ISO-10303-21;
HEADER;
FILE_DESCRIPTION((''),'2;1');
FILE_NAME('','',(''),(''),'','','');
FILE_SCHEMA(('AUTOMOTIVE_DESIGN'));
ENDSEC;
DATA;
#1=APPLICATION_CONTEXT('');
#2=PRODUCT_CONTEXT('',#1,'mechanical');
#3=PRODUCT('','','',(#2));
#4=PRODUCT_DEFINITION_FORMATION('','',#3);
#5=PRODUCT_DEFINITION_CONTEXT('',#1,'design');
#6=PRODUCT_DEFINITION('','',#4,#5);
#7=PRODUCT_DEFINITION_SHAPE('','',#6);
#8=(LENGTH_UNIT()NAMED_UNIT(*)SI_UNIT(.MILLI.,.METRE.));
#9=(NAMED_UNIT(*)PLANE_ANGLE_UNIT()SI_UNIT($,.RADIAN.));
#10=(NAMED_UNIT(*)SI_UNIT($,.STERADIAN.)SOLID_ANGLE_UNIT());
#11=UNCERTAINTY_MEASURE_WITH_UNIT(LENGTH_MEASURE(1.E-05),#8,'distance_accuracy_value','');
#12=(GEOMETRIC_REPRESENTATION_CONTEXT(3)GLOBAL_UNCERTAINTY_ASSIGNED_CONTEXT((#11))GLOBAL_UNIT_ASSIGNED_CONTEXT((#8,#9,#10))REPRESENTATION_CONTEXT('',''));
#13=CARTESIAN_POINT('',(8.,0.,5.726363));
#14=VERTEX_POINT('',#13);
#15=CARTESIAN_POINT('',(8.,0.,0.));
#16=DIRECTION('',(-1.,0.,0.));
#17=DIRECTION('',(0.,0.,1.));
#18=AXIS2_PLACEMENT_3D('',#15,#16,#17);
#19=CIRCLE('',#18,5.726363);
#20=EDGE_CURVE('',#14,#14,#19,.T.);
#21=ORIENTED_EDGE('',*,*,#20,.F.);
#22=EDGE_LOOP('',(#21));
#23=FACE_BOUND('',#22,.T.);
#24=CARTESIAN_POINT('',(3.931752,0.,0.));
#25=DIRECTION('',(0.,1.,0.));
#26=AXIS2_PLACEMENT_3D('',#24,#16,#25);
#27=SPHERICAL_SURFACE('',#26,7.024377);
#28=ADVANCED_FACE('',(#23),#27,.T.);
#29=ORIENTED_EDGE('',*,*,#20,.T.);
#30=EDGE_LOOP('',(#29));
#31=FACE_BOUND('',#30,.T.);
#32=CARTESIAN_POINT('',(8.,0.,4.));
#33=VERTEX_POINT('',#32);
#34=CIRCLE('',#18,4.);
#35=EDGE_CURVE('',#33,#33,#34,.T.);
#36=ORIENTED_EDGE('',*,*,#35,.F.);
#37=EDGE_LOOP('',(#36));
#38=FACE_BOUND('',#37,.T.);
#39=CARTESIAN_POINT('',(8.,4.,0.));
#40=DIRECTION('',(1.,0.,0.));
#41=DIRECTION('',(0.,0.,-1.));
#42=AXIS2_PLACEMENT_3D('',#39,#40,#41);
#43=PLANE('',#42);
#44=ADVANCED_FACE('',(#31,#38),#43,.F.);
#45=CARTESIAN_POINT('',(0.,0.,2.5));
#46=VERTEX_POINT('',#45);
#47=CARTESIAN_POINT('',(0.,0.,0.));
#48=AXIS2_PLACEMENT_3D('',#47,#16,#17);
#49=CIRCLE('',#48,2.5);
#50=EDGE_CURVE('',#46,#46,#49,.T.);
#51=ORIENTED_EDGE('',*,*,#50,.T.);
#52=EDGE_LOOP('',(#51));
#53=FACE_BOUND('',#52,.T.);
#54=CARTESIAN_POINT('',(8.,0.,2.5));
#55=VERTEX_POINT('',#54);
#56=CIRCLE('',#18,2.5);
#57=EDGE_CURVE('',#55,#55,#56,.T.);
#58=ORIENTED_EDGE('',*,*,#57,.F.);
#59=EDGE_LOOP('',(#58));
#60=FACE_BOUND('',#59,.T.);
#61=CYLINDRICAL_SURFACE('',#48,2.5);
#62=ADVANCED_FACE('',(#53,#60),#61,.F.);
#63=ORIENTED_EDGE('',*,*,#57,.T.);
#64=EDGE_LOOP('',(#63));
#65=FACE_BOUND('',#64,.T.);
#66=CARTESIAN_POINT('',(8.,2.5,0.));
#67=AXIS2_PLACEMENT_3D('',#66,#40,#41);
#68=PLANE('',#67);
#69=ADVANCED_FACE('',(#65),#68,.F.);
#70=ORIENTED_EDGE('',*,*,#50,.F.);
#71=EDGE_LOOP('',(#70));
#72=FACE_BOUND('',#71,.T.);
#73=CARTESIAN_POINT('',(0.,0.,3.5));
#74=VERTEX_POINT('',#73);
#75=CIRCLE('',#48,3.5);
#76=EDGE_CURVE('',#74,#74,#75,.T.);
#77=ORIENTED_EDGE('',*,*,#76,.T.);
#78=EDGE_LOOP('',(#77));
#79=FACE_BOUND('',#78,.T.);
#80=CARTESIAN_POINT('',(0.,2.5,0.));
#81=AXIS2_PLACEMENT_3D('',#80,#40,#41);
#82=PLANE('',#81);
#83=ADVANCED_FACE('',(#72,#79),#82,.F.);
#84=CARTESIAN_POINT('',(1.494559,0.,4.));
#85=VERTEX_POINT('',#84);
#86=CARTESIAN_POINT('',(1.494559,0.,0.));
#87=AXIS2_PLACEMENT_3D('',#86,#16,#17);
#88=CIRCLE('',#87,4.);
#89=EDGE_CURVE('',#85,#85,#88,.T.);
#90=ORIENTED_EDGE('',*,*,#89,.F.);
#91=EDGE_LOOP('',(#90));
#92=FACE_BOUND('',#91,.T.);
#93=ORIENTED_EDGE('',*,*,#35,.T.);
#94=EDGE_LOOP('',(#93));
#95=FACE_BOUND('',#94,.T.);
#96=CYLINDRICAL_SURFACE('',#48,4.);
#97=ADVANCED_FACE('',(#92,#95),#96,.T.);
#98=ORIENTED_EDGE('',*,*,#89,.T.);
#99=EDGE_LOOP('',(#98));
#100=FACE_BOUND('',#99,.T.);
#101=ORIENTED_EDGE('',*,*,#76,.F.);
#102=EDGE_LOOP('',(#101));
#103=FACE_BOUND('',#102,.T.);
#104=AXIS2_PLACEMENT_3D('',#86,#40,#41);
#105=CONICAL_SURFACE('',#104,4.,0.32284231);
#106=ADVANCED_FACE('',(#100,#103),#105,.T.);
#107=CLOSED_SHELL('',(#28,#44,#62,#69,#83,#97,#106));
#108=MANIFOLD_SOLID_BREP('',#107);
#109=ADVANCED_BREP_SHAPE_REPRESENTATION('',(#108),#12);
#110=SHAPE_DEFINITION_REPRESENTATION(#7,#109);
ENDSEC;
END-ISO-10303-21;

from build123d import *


with BuildPart() as part:
    # 草图1 → 旋转1 (revolve)
    with BuildSketch(Plane.XY, mode=Mode.PRIVATE) as revolve_1_sk:
        with BuildLine():
            Line((0, 2.5), (0, 3.5))
            Line((0, 3.5), (1.494559039, 4))
            Line((1.494559039, 4), (8, 4))
            Line((8, 4), (8, 5.726362631))
            ThreePointArc((8, 5.726362631), (10.173497708, 3.222185879), (10.956128949, 0))
            Line((10.956128949, 0), (8, 0))
            Line((8, 0), (8, 2.5))
            Line((8, 2.5), (0, 2.5))
        make_face()
    revolve(revolve_1_sk.sketch.rotate(Axis((0, 0, 0), (1, 0, 0)), 90), axis=Axis((0, 0, 0), (1, 0, 0)))


solid = part.part
